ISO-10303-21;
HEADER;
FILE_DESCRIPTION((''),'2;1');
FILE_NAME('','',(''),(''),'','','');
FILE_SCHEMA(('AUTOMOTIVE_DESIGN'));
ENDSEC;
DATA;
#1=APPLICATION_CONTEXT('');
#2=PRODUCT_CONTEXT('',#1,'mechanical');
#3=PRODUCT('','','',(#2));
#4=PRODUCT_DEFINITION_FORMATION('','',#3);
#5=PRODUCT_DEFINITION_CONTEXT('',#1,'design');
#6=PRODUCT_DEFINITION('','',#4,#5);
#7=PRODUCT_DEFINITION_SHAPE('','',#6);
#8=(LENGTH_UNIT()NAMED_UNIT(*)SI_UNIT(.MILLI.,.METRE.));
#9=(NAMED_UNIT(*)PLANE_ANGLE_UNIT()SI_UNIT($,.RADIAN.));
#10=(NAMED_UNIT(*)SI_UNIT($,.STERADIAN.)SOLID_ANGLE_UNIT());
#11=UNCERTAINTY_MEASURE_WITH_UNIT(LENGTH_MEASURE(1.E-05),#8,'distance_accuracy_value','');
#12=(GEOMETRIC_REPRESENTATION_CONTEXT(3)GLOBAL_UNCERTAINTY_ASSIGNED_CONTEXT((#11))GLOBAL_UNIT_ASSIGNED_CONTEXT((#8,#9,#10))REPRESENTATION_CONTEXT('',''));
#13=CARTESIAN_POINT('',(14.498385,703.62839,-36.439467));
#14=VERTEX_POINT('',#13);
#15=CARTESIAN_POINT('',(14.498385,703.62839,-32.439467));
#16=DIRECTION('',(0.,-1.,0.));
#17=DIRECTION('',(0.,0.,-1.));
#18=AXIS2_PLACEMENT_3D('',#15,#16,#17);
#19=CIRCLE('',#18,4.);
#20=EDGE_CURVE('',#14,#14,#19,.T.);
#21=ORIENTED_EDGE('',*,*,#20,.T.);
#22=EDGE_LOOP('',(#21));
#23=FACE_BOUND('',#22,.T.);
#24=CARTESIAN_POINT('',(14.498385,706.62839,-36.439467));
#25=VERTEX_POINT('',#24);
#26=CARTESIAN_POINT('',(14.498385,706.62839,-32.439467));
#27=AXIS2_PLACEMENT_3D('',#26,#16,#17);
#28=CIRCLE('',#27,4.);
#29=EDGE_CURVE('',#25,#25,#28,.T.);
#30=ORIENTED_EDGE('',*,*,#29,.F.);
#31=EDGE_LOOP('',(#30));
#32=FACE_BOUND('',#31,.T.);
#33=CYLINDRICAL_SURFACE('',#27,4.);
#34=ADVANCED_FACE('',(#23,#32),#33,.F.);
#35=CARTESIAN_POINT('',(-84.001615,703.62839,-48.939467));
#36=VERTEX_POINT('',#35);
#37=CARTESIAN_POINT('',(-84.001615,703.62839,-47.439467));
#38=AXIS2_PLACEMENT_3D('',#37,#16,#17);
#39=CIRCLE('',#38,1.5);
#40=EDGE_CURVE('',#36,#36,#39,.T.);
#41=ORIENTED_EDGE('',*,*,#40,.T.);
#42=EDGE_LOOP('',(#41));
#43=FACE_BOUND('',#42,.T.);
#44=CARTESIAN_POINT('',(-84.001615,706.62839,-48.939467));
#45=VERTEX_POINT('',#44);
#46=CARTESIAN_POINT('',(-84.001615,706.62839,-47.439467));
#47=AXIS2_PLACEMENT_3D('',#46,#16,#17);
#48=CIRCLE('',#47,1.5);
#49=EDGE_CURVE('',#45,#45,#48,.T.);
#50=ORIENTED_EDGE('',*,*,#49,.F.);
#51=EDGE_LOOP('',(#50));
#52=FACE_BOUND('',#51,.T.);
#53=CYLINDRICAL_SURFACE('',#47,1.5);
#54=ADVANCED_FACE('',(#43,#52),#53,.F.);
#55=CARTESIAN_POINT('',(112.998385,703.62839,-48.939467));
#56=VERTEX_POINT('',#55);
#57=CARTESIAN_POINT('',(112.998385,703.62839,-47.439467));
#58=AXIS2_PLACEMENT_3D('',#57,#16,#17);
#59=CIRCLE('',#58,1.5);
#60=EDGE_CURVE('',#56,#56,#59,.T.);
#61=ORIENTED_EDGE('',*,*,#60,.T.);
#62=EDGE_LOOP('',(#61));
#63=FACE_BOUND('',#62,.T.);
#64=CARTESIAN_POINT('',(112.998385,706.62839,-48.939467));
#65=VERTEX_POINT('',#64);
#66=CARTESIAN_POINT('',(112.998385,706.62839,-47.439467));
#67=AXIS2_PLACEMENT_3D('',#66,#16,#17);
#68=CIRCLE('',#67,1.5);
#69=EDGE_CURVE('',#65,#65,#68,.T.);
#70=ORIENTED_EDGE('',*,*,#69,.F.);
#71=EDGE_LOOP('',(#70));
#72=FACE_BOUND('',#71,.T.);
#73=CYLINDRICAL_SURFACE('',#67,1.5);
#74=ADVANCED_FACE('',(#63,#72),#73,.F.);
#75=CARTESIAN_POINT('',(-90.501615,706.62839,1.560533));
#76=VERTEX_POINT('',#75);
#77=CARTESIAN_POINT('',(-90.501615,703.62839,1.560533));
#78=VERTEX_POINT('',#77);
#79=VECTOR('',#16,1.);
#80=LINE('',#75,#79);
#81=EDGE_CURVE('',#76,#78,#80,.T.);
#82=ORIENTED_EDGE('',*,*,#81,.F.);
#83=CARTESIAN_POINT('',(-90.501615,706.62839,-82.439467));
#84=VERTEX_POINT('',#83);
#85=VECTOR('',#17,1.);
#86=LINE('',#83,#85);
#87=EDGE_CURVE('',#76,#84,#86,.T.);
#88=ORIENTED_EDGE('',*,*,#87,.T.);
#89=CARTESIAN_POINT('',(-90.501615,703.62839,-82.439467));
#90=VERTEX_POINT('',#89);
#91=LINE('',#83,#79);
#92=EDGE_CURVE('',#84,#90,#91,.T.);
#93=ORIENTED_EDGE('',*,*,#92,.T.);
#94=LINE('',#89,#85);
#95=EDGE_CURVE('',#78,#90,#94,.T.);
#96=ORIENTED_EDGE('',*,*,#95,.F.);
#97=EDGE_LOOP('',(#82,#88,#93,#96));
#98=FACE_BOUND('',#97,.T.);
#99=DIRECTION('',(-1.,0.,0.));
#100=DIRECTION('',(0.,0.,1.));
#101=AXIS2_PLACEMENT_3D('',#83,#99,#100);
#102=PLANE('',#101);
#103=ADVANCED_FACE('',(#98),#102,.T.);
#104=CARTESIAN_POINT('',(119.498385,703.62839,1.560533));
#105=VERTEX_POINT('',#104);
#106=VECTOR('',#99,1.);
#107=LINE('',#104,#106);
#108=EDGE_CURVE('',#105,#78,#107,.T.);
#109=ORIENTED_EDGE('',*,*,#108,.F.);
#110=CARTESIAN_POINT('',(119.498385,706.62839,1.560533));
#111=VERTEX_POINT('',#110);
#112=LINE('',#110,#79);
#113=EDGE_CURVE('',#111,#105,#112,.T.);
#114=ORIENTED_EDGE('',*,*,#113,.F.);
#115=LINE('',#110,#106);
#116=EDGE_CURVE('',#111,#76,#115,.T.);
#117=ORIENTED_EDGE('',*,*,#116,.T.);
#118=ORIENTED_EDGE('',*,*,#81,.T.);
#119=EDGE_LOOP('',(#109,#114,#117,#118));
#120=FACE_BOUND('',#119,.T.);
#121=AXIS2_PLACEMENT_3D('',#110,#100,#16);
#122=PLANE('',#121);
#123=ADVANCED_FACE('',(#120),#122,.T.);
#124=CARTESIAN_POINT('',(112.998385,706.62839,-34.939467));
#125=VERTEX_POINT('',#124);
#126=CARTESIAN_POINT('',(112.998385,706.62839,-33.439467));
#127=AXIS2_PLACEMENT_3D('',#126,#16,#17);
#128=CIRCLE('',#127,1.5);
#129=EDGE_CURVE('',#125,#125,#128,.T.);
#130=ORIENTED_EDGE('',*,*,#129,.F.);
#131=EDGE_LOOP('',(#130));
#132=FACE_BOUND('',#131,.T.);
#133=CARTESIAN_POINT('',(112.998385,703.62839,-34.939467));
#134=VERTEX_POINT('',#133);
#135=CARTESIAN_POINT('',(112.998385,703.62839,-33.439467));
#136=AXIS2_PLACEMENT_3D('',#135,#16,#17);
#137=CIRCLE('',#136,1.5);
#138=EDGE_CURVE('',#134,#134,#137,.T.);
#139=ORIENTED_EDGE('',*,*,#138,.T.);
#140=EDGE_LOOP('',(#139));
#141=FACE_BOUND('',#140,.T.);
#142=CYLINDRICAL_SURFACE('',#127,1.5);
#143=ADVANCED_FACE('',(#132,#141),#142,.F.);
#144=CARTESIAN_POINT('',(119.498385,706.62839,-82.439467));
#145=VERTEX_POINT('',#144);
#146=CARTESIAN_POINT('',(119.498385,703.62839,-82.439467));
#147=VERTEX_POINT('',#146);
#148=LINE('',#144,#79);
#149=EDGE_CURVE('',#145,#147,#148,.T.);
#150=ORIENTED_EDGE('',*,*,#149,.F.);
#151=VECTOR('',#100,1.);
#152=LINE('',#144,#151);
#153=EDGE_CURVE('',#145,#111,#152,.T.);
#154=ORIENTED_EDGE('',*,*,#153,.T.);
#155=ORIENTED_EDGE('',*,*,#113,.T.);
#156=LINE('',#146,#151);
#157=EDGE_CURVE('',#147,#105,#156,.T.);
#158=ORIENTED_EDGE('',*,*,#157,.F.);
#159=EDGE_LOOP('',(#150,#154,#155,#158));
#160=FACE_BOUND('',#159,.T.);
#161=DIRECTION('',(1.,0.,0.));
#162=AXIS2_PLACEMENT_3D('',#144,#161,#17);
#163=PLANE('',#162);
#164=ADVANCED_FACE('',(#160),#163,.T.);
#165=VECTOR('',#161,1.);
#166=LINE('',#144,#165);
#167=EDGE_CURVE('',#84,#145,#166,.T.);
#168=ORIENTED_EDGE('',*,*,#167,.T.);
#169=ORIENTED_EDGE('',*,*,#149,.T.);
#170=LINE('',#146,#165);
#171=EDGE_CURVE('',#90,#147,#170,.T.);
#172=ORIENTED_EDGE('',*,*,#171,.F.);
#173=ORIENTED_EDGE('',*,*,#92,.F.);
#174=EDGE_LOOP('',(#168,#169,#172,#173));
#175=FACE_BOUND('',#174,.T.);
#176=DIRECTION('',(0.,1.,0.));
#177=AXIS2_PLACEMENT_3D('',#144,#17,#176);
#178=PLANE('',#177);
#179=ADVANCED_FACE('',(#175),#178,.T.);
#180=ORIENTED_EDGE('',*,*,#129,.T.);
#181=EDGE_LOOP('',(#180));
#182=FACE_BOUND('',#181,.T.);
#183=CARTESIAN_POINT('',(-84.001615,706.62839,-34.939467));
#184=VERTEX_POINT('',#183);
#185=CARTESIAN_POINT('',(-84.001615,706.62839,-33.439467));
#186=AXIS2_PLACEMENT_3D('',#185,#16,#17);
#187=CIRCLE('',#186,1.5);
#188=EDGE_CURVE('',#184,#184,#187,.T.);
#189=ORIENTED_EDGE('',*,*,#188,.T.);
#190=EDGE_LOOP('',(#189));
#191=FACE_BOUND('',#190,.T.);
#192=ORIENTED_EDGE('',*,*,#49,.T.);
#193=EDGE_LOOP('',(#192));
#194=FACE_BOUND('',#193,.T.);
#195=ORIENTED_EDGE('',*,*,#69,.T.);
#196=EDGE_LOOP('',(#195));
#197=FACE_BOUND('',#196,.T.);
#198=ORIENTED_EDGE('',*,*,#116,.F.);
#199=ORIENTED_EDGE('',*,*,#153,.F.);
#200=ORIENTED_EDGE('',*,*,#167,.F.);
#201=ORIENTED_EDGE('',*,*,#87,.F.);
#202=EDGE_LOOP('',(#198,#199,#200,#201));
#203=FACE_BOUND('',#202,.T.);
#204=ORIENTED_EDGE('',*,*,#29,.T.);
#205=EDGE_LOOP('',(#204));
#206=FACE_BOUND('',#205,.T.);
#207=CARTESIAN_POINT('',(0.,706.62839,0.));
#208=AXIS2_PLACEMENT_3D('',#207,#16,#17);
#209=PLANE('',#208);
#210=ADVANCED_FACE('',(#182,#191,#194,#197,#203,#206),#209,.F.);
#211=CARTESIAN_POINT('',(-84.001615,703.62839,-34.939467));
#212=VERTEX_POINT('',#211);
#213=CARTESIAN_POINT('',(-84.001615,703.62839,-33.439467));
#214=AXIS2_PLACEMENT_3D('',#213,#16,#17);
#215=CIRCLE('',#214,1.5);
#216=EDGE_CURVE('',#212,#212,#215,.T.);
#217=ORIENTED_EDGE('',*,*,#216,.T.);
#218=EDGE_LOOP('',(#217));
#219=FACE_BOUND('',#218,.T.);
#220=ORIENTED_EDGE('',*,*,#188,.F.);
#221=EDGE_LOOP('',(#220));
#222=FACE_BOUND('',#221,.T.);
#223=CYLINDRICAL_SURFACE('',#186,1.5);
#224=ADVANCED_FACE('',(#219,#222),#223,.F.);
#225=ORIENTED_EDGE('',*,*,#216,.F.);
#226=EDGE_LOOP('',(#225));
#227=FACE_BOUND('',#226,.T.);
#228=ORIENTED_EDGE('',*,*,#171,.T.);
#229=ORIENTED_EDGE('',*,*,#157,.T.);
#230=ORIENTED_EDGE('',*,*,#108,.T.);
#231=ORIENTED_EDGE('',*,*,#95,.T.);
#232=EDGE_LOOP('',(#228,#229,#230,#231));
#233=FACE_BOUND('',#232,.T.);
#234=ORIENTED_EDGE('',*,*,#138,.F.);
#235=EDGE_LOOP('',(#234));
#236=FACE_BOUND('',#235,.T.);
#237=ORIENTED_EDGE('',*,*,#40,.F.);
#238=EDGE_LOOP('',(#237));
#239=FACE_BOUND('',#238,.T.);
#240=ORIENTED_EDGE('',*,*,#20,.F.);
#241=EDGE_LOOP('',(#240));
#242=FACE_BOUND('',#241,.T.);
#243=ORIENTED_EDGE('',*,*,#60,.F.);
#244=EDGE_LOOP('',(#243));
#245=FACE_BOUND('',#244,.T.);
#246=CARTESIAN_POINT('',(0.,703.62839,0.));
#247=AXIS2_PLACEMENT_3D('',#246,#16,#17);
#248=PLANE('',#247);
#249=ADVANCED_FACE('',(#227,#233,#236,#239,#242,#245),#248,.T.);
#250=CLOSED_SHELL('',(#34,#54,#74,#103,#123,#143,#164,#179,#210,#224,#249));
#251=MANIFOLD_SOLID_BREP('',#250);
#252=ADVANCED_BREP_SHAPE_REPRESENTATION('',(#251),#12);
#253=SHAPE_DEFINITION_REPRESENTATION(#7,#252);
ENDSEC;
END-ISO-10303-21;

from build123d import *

# Parameters (mm, degrees)
CROQUIS2_W              = 210
CROQUIS2_H              = 84
CROQUIS2_R              = 4
CROQUIS2_R_2            = 1.5
SALIENTE_EXTRUIR1_DEPTH = 3


with BuildPart() as part:
    # Croquis2 → Saliente-Extruir1 (new body)
    with BuildSketch(Plane(origin=(-13.73192422, 703.628389678, -26.324312824), x_dir=(-1, 0, 0), z_dir=(0, -1, 0))):
        with Locations((-28.230309316, 14.115154658)):
            Rectangle(CROQUIS2_W, CROQUIS2_H)
        with Locations(Location((-28.230309316, 6.115154658, 0), (0, 0, 90))):
            Circle(CROQUIS2_R, mode=Mode.SUBTRACT)
        with Locations(Location((-126.730309316, 7.115154658, 0), (0, 0, 90))):
            Circle(CROQUIS2_R_2, mode=Mode.SUBTRACT)
        with Locations(Location((-126.730309316, 21.115154658, 0), (0, 0, 90))):
            Circle(CROQUIS2_R_2, mode=Mode.SUBTRACT)
        with Locations(Location((70.269690684, 21.115154658, 0), (0, 0, 90))):
            Circle(CROQUIS2_R_2, mode=Mode.SUBTRACT)
        with Locations(Location((70.269690684, 7.115154658, 0), (0, 0, 90))):
            Circle(CROQUIS2_R_2, mode=Mode.SUBTRACT)
    extrude(amount=-SALIENTE_EXTRUIR1_DEPTH)


solid = part.part
